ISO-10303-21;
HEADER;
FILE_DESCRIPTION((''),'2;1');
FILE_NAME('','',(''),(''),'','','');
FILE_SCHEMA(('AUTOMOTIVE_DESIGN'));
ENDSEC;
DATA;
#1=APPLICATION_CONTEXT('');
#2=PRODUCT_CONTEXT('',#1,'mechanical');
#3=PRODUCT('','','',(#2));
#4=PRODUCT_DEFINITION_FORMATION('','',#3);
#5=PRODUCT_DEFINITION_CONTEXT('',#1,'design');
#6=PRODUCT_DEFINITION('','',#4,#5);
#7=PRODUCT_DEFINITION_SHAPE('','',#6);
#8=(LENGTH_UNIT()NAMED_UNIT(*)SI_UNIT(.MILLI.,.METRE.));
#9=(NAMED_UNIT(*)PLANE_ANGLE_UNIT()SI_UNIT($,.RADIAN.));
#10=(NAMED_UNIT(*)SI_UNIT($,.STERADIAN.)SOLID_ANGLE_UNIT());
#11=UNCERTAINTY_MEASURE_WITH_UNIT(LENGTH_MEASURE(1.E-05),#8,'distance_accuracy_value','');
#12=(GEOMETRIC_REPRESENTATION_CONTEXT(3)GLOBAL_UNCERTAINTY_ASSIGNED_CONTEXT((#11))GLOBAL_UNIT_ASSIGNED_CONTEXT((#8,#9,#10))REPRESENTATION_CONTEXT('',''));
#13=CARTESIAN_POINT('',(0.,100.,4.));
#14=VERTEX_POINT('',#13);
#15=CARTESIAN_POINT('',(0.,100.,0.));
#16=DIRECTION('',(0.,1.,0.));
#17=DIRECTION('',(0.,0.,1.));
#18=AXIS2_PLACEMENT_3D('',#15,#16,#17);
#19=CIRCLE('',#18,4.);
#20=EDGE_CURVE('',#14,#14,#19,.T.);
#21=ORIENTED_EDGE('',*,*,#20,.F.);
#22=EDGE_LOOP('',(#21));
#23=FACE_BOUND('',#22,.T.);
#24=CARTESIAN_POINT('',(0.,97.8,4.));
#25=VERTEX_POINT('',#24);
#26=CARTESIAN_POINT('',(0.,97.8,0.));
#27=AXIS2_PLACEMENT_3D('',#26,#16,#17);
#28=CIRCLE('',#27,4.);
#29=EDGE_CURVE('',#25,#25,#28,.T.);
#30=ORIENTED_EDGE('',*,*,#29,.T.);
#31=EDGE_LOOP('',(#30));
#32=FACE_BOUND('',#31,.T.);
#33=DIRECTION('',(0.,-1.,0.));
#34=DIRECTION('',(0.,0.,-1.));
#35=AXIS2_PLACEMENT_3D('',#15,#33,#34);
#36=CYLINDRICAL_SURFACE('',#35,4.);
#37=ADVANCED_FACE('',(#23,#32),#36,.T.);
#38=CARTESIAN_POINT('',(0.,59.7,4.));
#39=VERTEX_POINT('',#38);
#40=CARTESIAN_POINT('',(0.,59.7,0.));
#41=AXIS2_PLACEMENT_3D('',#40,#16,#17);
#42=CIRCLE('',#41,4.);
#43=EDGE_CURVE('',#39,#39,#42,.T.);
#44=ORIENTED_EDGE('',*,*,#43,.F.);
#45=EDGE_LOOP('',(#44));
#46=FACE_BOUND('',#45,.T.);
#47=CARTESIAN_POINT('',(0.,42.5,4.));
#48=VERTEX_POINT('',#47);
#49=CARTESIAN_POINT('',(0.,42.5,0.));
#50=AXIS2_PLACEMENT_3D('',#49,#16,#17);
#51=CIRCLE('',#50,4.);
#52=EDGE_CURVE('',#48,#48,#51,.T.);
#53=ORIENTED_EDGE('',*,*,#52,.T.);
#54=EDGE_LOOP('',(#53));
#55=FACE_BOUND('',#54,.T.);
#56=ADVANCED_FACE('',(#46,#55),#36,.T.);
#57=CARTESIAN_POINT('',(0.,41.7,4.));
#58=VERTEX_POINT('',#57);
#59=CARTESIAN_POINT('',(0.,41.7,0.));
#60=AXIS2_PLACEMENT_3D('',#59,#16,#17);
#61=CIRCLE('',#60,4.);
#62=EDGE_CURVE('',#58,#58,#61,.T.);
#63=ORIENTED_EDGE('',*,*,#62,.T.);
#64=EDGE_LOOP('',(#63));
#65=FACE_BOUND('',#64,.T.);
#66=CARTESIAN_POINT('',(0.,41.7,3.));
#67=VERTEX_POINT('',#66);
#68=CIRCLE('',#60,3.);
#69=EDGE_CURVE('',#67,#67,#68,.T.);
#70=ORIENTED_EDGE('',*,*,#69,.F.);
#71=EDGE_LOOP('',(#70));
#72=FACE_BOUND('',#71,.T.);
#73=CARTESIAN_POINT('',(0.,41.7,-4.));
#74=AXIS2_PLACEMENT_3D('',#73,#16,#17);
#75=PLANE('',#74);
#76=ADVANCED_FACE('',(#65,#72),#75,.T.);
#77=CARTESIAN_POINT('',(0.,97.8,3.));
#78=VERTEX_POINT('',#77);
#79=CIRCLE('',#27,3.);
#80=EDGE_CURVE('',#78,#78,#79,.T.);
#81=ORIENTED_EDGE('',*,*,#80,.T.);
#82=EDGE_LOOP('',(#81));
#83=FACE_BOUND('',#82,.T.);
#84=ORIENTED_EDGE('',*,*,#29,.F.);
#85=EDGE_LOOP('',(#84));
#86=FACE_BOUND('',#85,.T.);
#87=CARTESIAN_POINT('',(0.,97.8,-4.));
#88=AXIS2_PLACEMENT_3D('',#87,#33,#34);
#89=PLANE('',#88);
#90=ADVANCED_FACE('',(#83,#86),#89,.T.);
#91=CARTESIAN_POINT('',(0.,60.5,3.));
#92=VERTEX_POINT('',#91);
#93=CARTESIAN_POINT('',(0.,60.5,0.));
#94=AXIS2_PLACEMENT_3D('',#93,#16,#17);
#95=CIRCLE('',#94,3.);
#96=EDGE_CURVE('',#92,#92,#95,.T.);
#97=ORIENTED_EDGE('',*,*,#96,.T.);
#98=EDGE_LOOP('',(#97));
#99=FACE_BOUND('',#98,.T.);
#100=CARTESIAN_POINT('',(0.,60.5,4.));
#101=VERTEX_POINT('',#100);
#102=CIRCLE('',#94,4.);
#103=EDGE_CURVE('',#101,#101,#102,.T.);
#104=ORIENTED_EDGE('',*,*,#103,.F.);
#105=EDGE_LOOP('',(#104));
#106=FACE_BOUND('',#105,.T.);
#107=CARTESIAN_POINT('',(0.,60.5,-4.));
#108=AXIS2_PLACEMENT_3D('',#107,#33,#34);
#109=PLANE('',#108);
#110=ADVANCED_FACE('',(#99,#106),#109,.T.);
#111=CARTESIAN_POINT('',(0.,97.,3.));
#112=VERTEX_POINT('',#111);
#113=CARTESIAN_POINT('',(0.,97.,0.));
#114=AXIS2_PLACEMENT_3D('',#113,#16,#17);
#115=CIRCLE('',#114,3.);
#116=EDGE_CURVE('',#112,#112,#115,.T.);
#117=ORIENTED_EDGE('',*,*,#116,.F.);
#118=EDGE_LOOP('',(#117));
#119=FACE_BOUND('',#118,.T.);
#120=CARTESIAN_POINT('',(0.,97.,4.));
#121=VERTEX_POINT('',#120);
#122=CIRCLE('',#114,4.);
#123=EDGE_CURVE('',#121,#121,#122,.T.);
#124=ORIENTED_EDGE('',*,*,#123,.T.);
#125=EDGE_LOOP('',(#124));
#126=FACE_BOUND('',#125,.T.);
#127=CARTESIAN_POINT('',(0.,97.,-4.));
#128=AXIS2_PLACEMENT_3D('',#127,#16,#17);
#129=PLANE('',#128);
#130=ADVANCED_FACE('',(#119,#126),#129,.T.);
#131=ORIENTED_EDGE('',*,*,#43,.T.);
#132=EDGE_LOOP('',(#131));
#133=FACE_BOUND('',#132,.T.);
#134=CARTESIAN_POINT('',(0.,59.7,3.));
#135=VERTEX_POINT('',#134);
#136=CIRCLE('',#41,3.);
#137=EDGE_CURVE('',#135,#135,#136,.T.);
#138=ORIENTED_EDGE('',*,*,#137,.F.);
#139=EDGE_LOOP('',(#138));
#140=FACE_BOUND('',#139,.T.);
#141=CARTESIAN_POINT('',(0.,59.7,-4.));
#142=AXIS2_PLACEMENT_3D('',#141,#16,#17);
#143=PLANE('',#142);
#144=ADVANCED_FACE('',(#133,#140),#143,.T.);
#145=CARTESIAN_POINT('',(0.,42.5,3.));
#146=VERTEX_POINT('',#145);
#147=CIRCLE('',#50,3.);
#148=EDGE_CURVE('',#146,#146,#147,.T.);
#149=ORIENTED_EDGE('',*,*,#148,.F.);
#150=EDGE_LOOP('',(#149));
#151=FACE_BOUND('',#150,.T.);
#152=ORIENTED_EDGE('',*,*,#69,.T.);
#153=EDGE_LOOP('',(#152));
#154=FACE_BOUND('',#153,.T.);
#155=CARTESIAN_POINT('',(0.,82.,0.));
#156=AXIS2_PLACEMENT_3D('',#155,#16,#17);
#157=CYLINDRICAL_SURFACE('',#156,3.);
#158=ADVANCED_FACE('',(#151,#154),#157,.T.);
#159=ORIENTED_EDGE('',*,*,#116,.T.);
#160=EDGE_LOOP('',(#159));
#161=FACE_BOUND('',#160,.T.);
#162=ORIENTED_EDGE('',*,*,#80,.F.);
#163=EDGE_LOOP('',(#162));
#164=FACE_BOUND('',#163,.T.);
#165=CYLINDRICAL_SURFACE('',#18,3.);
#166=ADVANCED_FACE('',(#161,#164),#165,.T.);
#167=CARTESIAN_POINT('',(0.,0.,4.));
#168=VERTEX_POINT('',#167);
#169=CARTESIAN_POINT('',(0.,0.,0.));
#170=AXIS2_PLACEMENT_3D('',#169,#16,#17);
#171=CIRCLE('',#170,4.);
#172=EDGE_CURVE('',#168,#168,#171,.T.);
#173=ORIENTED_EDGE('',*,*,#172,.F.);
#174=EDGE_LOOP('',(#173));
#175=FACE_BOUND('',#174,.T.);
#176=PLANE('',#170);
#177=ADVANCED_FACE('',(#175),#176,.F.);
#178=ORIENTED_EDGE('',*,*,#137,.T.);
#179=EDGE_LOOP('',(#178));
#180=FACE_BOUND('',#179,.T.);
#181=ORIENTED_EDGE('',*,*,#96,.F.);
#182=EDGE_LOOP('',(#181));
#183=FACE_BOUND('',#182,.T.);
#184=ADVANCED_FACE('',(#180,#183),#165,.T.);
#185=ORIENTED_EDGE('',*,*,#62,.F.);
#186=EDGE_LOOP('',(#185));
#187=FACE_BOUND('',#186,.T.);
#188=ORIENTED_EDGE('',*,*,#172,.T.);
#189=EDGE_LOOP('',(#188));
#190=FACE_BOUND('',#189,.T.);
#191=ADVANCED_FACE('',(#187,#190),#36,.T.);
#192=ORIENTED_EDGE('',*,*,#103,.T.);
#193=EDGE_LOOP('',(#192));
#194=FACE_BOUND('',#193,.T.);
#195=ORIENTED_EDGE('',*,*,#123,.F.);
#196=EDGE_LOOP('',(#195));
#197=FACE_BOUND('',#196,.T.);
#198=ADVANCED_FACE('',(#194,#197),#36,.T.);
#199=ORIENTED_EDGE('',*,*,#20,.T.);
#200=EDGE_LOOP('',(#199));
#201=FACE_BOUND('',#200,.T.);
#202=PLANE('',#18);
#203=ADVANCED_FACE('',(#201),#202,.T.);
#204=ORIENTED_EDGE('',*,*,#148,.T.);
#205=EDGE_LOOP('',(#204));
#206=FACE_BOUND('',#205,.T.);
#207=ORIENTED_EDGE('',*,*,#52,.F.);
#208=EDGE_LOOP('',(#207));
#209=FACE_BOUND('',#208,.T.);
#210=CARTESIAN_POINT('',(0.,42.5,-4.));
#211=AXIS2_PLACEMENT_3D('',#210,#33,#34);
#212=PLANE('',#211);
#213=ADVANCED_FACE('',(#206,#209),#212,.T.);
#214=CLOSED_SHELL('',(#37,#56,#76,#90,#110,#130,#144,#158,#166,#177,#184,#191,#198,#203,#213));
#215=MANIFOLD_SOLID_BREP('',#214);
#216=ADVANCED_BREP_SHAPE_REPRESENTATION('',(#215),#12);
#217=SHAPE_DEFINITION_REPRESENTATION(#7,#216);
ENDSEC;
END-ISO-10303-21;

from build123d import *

# Parameters (mm, degrees)
SKETCH1_R           = 4
BOSS_EXTRUDE1_DEPTH = 100
SKETCH2_W           = 1
SKETCH2_H           = 0.8
SKETCH3_W           = 1
SKETCH3_H           = 0.8
LPATTERN1_COUNT     = 2
LPATTERN1_PITCH     = 18


with BuildPart() as part:
    # Sketch1 → Boss-Extrude1 (new body)
    with BuildSketch(Plane(origin=(0, 0, 0), x_dir=(1, 0, 0), z_dir=(0, 1, 0))):
        with Locations(Location((0, 0, 0), (0, 0, 270))):
            Circle(SKETCH1_R)
    extrude(amount=BOSS_EXTRUDE1_DEPTH)

    # Sketch2 → Cut-Revolve1 (revolve, cut)
    with BuildSketch(Plane(origin=(0, 0, 0), x_dir=(0, 0, -1), z_dir=(1, 0, 0)), mode=Mode.PRIVATE) as cut_revolve1_sk:
        with Locations((3.5, 97.4)):
            Rectangle(SKETCH2_W, SKETCH2_H)
    revolve(cut_revolve1_sk.sketch.rotate(Axis((0, 100, 0), (0, -1, 0)), 180), axis=Axis((0, 100, 0), (0, -1, 0)), mode=Mode.SUBTRACT)

    # Sketch3 → Cut-Revolve2 (revolve, cut)
    with BuildSketch(Plane(origin=(0, 0, 0), x_dir=(0, 0, -1), z_dir=(1, 0, 0)), mode=Mode.PRIVATE) as cut_revolve2_sk:
        with Locations((3.5, 60.1)):
            Rectangle(SKETCH3_W, SKETCH3_H)
    cut_revolve2 = revolve(cut_revolve2_sk.sketch.rotate(Axis((0, 100, 0), (0, -1, 0)), 180), axis=Axis((0, 100, 0), (0, -1, 0)), mode=Mode.SUBTRACT)

    # LPattern1: Cut-Revolve2 ×2
    with Locations(*[(0, -i * LPATTERN1_PITCH, 0) for i in range(1, LPATTERN1_COUNT)]):
        add(cut_revolve2, mode=Mode.SUBTRACT)


solid = part.part
